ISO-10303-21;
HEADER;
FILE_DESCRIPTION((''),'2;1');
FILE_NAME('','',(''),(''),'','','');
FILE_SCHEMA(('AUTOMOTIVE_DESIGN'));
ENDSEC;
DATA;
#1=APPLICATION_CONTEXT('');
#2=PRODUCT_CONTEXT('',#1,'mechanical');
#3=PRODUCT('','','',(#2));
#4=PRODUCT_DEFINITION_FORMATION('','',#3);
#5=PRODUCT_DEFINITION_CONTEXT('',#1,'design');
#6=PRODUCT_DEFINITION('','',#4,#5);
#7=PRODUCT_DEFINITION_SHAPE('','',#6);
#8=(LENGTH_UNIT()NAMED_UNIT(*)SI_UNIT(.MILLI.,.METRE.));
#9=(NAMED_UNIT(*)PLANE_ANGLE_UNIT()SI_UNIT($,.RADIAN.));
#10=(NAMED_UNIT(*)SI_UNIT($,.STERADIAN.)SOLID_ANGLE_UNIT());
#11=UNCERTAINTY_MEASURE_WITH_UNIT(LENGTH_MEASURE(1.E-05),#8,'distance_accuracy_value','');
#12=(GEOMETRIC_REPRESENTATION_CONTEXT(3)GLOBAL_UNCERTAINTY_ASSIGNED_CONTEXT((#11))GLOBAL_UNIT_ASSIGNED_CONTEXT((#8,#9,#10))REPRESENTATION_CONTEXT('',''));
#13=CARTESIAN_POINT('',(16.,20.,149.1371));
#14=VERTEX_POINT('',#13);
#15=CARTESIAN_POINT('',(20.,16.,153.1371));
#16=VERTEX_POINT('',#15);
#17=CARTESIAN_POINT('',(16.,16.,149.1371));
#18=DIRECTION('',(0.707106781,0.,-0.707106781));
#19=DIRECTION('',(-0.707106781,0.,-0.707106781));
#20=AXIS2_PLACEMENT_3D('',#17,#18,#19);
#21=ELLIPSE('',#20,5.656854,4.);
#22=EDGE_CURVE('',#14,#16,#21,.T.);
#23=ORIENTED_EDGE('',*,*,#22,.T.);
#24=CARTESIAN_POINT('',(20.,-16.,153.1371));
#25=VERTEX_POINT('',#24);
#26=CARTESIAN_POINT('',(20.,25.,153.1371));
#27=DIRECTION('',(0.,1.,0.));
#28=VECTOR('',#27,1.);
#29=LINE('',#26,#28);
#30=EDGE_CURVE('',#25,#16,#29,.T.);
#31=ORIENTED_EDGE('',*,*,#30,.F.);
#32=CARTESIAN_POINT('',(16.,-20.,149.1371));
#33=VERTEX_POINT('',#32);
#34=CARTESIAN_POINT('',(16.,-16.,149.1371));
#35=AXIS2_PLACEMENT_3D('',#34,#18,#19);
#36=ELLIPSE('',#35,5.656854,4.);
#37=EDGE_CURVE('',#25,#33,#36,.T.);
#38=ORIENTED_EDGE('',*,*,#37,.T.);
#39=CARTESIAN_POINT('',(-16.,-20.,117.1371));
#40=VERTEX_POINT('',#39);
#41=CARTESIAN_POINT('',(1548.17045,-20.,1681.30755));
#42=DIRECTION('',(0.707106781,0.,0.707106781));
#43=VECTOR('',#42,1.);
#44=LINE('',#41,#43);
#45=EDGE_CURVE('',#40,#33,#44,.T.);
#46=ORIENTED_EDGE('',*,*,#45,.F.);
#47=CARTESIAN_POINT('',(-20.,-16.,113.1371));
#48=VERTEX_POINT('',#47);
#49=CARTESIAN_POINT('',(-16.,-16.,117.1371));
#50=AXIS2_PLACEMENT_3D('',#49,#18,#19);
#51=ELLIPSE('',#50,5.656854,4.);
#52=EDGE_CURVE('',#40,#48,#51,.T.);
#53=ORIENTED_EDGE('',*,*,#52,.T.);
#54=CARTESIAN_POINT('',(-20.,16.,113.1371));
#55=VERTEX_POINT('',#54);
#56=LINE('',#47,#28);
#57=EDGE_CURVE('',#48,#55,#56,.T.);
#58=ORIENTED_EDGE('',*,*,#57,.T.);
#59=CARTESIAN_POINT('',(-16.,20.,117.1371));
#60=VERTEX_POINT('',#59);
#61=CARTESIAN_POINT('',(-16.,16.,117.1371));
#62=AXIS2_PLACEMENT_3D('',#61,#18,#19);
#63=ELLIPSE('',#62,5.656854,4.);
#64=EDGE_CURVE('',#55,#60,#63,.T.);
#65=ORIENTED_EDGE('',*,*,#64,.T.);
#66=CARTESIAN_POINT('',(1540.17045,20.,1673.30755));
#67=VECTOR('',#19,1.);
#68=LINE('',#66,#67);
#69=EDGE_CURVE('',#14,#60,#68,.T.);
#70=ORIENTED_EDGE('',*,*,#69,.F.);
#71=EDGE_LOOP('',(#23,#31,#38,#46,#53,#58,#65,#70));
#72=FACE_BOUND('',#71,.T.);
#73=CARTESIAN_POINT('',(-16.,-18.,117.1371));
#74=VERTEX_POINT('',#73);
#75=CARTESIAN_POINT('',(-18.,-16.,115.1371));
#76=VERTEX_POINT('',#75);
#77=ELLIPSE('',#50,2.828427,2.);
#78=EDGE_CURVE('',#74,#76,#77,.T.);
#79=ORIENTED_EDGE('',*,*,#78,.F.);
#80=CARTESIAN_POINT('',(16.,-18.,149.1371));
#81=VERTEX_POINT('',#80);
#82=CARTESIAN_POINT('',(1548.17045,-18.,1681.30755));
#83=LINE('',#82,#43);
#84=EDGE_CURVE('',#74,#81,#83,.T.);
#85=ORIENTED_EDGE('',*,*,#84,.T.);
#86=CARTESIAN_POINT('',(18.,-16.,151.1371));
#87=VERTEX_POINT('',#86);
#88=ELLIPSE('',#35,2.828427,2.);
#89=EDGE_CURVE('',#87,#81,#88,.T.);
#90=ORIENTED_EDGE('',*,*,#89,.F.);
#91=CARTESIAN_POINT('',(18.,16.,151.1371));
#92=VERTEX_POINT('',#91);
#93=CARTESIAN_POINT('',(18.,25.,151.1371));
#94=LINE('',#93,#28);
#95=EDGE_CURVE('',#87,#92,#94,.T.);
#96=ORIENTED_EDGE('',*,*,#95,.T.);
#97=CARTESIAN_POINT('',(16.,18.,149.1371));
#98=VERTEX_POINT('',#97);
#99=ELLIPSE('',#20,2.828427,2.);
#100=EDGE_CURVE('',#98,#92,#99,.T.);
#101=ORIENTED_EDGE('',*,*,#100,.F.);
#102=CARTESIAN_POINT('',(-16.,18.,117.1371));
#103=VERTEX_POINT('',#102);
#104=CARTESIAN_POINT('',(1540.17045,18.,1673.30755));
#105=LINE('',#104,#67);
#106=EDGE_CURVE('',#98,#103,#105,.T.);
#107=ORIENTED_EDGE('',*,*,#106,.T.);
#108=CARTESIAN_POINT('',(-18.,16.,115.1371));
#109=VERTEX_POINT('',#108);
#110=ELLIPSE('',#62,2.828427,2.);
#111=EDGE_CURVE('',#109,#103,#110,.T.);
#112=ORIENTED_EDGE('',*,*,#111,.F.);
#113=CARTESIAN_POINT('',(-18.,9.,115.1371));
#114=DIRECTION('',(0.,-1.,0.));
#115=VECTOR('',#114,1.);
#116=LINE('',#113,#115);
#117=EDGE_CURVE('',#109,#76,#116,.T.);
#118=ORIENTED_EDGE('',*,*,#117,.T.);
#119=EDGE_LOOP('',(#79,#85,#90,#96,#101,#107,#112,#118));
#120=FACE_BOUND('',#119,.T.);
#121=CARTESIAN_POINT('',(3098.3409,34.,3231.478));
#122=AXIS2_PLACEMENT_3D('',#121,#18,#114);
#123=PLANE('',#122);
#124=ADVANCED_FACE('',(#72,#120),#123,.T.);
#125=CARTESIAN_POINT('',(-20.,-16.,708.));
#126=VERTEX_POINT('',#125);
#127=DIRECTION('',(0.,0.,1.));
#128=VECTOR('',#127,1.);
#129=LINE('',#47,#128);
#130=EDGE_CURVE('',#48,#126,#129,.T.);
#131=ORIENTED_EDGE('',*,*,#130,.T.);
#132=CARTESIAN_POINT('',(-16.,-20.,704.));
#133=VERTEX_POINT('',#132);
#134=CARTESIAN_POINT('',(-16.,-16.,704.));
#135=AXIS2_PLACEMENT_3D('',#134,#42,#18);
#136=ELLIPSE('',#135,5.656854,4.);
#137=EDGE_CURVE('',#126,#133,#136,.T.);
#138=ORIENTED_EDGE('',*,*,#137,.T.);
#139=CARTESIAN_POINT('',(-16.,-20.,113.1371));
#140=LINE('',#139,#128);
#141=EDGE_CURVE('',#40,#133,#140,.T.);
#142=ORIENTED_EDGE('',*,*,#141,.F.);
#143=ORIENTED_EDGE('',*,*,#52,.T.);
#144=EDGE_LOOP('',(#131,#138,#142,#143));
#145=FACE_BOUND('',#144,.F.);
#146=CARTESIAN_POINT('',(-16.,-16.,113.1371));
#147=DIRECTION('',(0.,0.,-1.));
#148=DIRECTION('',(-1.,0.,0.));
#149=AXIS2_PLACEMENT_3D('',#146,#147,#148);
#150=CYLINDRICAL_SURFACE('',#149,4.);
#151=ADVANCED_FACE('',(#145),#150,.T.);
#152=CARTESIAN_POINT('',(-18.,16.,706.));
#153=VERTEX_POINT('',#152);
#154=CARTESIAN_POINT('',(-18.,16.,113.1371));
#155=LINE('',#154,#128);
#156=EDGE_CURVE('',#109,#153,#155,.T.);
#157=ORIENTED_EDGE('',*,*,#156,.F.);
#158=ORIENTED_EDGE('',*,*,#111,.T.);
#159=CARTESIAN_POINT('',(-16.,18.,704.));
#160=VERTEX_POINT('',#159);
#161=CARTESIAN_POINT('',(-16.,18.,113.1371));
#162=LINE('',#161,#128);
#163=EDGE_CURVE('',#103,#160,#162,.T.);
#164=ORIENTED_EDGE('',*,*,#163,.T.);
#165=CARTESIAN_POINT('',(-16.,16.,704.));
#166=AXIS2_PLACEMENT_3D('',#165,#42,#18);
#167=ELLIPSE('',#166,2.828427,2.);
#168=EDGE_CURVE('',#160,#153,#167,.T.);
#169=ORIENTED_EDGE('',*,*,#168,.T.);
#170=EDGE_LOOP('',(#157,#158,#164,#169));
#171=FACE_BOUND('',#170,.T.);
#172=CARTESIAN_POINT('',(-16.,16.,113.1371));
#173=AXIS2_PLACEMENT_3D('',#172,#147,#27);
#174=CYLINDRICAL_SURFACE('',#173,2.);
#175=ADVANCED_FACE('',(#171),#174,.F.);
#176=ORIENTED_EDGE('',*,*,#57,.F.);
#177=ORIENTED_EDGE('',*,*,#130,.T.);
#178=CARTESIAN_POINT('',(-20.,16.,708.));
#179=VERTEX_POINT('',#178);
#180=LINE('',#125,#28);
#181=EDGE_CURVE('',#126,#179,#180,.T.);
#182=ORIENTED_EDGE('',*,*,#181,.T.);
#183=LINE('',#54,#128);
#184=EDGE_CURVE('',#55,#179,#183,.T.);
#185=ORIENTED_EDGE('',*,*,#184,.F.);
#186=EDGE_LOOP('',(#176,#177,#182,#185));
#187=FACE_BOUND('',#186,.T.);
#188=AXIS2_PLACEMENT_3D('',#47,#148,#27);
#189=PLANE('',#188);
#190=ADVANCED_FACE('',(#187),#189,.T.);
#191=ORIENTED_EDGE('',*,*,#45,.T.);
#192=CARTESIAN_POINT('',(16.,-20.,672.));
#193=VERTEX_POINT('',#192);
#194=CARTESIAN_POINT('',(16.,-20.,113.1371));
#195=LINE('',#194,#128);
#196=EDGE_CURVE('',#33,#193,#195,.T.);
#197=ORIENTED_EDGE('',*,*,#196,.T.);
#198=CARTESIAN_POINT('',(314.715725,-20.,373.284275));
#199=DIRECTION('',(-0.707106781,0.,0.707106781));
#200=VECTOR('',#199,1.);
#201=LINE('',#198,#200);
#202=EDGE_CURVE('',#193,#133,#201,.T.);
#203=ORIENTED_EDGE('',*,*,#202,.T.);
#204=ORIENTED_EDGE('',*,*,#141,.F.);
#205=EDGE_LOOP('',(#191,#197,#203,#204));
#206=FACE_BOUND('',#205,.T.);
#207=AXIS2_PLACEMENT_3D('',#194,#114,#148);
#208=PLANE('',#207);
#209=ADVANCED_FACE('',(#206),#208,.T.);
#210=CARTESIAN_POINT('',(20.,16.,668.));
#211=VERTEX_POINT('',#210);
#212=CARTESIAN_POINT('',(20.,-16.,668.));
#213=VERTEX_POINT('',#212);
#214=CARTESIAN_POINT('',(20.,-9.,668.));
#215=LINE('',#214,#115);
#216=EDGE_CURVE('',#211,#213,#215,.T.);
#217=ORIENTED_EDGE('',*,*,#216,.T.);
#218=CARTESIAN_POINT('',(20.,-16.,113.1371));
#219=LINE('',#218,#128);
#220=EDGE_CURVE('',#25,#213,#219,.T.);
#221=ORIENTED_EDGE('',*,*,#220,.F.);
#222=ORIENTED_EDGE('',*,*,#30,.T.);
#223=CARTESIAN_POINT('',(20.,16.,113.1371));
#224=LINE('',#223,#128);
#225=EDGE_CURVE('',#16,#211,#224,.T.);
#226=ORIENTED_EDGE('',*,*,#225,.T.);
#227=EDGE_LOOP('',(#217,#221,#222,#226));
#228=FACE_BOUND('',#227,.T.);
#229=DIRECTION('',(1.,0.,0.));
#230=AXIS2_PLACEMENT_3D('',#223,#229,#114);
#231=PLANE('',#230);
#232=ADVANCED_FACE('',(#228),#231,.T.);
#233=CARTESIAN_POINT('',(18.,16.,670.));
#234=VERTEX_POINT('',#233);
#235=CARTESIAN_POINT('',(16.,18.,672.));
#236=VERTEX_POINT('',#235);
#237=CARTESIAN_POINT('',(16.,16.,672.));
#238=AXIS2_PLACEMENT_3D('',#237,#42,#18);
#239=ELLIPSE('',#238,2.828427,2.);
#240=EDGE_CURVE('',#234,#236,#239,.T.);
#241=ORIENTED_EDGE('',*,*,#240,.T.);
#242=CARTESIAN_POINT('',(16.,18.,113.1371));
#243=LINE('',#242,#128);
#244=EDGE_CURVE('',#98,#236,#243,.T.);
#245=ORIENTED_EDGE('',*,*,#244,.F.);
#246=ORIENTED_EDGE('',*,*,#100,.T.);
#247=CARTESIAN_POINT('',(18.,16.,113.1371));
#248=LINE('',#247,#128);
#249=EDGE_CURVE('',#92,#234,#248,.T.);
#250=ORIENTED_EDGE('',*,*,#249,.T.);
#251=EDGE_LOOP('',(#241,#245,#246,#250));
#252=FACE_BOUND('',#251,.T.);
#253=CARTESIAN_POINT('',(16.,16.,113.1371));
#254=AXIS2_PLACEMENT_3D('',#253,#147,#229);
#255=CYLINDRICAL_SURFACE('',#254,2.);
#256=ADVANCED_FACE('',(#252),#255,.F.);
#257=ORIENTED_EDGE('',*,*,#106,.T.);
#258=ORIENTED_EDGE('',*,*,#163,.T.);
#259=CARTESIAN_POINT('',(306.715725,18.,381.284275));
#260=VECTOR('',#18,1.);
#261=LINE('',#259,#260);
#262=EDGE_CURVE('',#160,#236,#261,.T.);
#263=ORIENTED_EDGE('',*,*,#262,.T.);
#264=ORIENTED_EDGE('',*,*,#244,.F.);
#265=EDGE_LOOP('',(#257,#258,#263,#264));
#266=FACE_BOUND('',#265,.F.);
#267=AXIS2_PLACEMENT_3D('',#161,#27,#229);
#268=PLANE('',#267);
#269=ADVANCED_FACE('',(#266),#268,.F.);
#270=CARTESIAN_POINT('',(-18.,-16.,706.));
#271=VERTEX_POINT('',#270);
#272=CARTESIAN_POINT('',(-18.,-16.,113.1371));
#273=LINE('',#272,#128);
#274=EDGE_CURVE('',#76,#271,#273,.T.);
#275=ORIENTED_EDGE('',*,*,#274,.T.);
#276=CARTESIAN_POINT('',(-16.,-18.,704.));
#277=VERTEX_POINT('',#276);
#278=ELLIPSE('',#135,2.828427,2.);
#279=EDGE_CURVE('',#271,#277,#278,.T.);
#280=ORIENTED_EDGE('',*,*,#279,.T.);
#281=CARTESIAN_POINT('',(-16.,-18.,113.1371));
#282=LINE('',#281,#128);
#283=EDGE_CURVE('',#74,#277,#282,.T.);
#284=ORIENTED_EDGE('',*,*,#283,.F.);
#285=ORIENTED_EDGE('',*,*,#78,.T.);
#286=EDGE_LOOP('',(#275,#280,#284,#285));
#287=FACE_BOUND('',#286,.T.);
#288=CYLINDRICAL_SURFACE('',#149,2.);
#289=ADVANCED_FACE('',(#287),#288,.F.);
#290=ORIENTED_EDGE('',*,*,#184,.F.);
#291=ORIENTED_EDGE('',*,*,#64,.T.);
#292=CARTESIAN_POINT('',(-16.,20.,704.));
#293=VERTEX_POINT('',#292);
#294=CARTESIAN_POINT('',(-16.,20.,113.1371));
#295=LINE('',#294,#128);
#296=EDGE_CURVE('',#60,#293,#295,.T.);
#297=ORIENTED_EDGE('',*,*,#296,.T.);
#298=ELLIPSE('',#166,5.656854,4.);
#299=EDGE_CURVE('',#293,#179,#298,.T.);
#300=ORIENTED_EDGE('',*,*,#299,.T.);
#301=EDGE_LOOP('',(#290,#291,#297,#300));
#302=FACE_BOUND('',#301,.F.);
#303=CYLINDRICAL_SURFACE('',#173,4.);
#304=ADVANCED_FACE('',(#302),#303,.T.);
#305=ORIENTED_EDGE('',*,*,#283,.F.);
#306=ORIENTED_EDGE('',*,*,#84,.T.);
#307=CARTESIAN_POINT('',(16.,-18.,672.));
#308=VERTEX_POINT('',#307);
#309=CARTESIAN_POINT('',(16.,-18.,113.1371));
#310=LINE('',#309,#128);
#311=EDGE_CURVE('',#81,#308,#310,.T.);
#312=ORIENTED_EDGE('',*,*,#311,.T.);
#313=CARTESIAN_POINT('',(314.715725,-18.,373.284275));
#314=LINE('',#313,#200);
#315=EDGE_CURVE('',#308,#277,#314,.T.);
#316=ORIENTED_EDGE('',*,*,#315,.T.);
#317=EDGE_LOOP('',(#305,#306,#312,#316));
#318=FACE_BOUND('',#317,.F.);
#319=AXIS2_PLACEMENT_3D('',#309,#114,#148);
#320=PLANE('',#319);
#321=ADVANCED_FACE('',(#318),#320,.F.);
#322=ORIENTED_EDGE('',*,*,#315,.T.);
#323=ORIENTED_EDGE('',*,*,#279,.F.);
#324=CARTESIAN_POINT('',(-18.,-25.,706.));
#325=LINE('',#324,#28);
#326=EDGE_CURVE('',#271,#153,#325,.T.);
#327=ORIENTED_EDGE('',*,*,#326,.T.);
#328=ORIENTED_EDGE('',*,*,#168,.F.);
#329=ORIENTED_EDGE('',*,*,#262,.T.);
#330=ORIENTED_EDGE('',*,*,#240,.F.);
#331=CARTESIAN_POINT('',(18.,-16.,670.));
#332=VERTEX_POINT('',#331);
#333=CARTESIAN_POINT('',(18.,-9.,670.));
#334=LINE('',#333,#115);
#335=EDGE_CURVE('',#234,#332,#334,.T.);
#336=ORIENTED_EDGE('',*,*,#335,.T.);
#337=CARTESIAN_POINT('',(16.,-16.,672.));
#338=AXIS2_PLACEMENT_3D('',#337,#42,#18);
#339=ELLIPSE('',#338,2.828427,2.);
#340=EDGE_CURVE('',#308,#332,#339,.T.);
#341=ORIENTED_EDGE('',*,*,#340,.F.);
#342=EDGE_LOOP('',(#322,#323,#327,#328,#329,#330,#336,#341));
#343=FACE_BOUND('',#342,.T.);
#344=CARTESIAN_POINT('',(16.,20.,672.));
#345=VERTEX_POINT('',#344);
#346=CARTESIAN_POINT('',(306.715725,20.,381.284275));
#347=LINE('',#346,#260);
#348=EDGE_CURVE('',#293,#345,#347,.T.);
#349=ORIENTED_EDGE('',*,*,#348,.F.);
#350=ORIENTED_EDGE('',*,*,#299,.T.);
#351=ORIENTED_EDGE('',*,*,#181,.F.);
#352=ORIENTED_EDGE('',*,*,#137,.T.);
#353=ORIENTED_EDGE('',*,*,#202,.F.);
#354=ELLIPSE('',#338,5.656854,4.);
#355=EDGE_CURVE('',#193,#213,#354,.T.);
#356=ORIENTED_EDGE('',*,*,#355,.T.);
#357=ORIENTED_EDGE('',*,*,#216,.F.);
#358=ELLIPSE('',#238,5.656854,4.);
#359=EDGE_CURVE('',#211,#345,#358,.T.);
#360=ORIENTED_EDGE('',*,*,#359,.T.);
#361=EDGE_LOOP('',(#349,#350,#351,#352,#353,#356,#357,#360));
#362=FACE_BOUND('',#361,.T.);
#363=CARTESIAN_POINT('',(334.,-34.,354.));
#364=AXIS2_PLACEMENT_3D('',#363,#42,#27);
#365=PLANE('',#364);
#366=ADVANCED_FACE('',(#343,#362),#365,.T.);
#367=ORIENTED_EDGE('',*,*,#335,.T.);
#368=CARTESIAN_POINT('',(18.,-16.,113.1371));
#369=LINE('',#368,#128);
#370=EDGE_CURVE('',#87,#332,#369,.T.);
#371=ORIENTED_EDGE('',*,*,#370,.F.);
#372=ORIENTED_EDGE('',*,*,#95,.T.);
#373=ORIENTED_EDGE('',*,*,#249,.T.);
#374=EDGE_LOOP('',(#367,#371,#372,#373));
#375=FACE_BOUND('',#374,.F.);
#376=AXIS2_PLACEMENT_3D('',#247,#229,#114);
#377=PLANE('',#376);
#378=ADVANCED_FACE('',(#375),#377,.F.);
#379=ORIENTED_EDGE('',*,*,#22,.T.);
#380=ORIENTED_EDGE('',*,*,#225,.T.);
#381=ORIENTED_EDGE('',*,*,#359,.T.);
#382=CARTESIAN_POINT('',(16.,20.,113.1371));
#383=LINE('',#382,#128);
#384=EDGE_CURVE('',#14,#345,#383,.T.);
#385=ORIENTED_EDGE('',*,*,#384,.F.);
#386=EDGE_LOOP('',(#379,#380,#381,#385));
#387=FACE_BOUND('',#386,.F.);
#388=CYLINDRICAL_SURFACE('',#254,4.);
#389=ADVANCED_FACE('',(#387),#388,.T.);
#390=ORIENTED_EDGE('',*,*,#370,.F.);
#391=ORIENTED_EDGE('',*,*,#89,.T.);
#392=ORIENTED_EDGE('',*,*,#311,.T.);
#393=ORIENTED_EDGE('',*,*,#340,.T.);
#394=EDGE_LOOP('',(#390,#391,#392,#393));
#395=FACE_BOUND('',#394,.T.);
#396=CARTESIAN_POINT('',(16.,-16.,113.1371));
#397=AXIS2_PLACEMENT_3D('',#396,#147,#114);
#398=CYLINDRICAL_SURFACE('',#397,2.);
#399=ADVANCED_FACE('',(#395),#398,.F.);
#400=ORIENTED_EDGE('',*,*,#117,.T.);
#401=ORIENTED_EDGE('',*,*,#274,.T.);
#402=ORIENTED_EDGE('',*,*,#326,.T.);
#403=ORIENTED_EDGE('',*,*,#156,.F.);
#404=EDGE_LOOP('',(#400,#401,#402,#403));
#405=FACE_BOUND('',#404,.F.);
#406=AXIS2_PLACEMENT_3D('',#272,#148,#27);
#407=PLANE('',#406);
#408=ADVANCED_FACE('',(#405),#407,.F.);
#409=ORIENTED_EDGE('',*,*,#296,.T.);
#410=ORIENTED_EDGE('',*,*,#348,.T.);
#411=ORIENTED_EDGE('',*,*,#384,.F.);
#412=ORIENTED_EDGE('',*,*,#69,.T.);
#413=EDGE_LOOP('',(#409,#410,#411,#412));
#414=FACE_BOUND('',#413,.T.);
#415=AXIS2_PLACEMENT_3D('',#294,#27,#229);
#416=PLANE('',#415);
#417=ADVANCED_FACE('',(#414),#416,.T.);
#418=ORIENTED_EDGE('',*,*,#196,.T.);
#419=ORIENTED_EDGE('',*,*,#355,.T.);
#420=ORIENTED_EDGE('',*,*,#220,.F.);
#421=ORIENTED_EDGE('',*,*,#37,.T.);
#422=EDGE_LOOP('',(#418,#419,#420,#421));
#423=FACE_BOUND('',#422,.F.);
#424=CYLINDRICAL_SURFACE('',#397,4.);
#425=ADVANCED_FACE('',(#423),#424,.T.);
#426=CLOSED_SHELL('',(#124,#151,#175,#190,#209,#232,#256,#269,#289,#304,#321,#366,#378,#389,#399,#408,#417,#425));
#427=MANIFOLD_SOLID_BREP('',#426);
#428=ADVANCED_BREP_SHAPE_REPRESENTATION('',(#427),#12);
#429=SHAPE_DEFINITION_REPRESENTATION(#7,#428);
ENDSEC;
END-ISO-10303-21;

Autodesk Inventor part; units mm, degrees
ref_plane "Start Plane" through (0, 0, 113.1371) normal (0, 0, 1) x (1, 0, 0)
ref_plane "End Plane" through (0, 0, 708) normal (0, 0, 1) x (1, 0, 0)
sketch "Sketch" plane through (0, 0, 0) normal (0, 0, 1) x (1, 0, 0)
  line L0 (-20, -16) -> (-20, 16)
  line L1 (-16, 20) -> (16, 20)
  line L2 (20, 16) -> (20, -16)
  line L3 (16, -20) -> (-16, -20)
  arc A0 (-20, -16) -> (-16, -20) centre (-16, -16) ccw
  arc A1 (20, 16) -> (16, 20) centre (16, 16) ccw
  arc A2 (-16, 20) -> (-20, 16) centre (-16, 16) ccw
  arc A3 (16, -20) -> (20, -16) centre (16, -16) ccw
  arc A4 (-16, 18) -> (-18, 16) centre (-16, 16) ccw
  line L4 (-16, 18) -> (16, 18)
  arc A5 (18, 16) -> (16, 18) centre (16, 16) ccw
  line L5 (18, 16) -> (18, -16)
  arc A6 (16, -18) -> (18, -16) centre (16, -16) ccw
  line L6 (16, -18) -> (-16, -18)
  arc A7 (-18, -16) -> (-16, -18) centre (-16, -16) ccw
  line L7 (-18, -16) -> (-18, 16)
  line L8 (0, 29.1598) -> (0, -29.1598) construction
  line L9 (-29.1598, 0) -> (29.1598, 0) construction
  dimension "d7" = 4
  dimension "d9" = 40
  dimension "d11" = 40
  dimension "d12" = 2
  dimension "d15" = 20
  dimension "d16" = 20
extrude "Body" add sketch "Sketch" along normal up to surface (594.8629 mm away) from surface at 113.1371
sketch "Sketch3" plane through (0, 0, 0) normal (0, 0, 1) x (1, 0, 0)
  line L0 (0, 0) -> (10, 0)
ref_plane "Work Plane3" through (0, 0, 0) normal (0, -1, 0) x (1, 0, 0)
ref_plane "Work Plane4" through (3098.3409, 34, 3231.478) normal (0.7071, 0, -0.7071) x (-0.7071, 0, -0.7071)
split "Split1" plane through (3098.3409, 34, 3231.478) removes the side toward (0.7071, 0, -0.7071)
ref_plane "Work Plane5" through (334, -34, 354) normal (0.7071, 0, 0.7071) x (0.7071, 0, -0.7071)
split "Split2" plane through (334, -34, 354) removes the side toward (0.7071, 0, 0.7071)
sketch "Sketch4" plane through (0, 0, 0) normal (0, -1, 0) x (1, 0, 0)
  line L0 (-2, 113.1371) -> (12, 113.1371) projected
  line L1 (-2, 708) -> (12, 708) projected
  dimension "d18" = 594.8629
equation "\"d7\" = G_IR"
equation "\"d9\" = G_W"
equation "\"d11\" = G_H"
equation "\"d12\" = G_T"
equation "\"d15\" = 0.5 * d9"
equation "\"d16\" = 0.5 * d11"
equation "\"d3\" = G_L"
equation "\"G_W\" = 40"
equation "\"G_H\" = 40"
equation "\"G_T\" = 2"
equation "\"G_IR\" = 4"
equation "\"G_L\" = d18"
equation "\"G_OFFSET_START\" = -113.13708"
equation "\"G_OFFSET_END\" = 0"
equation "\"d13\" = -G_OFFSET_START"
equation "\"d14\" = G_OFFSET_END + B_L"
equation "\"B_L\" = 708"
properties part number "ISO 10799-2 - 40x40x2 - 594,86" material "Steel, Mild"
